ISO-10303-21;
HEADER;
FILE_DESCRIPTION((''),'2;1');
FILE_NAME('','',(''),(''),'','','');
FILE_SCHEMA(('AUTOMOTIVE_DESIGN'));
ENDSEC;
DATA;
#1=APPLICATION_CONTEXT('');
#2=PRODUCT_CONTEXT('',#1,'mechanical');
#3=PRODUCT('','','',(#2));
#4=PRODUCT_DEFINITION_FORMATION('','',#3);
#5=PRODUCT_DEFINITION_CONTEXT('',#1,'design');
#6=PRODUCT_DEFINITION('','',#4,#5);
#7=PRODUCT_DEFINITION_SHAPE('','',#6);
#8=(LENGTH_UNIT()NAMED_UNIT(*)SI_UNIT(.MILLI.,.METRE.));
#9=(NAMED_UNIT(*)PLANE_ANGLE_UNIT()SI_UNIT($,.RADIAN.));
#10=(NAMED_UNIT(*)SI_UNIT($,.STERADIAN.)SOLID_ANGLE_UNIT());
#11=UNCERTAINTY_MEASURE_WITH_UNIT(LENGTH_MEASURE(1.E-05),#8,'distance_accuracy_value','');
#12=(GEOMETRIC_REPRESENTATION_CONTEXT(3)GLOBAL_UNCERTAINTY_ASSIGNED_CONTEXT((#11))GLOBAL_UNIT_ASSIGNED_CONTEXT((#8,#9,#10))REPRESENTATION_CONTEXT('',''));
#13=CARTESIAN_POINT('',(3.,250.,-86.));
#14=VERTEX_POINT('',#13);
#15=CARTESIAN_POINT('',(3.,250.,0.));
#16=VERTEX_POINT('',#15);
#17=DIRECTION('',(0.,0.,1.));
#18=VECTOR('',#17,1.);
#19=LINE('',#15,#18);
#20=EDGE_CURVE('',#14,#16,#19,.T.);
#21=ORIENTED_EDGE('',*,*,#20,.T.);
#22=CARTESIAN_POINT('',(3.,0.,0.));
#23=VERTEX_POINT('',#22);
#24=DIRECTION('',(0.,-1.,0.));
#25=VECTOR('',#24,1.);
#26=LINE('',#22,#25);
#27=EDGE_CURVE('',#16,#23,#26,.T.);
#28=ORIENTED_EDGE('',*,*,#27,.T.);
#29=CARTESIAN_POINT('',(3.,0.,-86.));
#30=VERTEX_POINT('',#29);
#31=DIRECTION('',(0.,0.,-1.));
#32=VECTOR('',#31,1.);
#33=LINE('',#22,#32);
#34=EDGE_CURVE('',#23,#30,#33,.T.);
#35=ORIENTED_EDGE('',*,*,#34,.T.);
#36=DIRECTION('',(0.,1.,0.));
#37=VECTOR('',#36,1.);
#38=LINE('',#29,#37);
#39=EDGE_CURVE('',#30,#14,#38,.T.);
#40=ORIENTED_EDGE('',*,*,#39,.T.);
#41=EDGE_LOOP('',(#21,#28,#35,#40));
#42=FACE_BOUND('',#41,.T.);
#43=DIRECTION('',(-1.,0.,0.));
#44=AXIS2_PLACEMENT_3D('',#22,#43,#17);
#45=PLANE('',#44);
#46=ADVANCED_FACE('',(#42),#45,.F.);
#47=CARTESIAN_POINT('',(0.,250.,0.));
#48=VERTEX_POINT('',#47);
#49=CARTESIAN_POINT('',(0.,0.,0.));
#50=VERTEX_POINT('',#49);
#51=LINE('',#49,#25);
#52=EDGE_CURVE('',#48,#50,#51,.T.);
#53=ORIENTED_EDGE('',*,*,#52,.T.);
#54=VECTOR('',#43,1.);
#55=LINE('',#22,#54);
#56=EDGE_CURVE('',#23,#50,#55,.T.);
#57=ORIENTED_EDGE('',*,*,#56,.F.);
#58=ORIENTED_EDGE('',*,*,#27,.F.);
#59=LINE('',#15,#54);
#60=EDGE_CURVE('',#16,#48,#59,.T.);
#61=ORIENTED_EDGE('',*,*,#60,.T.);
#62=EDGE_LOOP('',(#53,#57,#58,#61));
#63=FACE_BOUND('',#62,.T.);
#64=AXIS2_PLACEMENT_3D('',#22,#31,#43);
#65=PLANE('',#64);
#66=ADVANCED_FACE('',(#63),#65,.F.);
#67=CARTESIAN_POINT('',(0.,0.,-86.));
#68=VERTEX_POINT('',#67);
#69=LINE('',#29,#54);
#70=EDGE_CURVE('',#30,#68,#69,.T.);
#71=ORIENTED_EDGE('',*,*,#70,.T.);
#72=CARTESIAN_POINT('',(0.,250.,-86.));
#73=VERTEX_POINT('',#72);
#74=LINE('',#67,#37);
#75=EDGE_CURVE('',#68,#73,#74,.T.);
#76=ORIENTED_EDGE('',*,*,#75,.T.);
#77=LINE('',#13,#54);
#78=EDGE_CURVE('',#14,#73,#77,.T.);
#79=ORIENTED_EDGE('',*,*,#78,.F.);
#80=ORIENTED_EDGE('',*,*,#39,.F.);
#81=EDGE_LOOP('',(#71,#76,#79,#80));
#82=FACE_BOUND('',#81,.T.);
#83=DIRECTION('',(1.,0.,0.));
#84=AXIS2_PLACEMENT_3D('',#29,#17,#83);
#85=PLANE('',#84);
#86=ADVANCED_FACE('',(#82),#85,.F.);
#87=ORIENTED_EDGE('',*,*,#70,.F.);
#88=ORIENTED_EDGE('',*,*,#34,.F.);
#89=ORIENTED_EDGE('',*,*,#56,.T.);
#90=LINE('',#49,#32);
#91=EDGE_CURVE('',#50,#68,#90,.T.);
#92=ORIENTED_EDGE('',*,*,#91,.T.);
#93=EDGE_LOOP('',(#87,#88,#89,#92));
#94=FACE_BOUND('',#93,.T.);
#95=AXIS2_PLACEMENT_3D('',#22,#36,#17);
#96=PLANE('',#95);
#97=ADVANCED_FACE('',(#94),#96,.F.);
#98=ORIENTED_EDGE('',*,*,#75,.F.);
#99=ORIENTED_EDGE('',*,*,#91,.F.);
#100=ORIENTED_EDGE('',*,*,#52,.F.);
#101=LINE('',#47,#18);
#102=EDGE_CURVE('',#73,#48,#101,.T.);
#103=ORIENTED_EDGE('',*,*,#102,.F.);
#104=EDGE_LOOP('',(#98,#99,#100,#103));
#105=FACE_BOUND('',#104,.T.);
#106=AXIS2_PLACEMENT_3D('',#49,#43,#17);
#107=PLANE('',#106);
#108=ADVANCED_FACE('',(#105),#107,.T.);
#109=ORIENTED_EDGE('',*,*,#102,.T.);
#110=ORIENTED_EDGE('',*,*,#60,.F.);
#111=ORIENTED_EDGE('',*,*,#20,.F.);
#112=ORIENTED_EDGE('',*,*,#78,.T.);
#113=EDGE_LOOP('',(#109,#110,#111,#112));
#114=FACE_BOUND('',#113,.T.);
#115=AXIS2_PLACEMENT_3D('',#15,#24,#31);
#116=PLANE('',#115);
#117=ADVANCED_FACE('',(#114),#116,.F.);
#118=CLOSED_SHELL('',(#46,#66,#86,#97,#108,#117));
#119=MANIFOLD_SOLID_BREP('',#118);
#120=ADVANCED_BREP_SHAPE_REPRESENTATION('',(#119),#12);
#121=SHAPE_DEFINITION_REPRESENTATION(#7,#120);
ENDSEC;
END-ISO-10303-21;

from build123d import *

# Parameters (mm, degrees)
SKETCH_1_W      = 86
SKETCH_1_H      = 250
EXTRUDE_1_DEPTH = 3


with BuildPart() as part:
    # 스케치1 → 보스-돌출1 (new body)
    with BuildSketch(Plane(origin=(0, 0, 0), x_dir=(0, 0, -1), z_dir=(1, 0, 0))):
        with Locations((43, 125)):
            Rectangle(SKETCH_1_W, SKETCH_1_H)
    extrude(amount=EXTRUDE_1_DEPTH)


solid = part.part
